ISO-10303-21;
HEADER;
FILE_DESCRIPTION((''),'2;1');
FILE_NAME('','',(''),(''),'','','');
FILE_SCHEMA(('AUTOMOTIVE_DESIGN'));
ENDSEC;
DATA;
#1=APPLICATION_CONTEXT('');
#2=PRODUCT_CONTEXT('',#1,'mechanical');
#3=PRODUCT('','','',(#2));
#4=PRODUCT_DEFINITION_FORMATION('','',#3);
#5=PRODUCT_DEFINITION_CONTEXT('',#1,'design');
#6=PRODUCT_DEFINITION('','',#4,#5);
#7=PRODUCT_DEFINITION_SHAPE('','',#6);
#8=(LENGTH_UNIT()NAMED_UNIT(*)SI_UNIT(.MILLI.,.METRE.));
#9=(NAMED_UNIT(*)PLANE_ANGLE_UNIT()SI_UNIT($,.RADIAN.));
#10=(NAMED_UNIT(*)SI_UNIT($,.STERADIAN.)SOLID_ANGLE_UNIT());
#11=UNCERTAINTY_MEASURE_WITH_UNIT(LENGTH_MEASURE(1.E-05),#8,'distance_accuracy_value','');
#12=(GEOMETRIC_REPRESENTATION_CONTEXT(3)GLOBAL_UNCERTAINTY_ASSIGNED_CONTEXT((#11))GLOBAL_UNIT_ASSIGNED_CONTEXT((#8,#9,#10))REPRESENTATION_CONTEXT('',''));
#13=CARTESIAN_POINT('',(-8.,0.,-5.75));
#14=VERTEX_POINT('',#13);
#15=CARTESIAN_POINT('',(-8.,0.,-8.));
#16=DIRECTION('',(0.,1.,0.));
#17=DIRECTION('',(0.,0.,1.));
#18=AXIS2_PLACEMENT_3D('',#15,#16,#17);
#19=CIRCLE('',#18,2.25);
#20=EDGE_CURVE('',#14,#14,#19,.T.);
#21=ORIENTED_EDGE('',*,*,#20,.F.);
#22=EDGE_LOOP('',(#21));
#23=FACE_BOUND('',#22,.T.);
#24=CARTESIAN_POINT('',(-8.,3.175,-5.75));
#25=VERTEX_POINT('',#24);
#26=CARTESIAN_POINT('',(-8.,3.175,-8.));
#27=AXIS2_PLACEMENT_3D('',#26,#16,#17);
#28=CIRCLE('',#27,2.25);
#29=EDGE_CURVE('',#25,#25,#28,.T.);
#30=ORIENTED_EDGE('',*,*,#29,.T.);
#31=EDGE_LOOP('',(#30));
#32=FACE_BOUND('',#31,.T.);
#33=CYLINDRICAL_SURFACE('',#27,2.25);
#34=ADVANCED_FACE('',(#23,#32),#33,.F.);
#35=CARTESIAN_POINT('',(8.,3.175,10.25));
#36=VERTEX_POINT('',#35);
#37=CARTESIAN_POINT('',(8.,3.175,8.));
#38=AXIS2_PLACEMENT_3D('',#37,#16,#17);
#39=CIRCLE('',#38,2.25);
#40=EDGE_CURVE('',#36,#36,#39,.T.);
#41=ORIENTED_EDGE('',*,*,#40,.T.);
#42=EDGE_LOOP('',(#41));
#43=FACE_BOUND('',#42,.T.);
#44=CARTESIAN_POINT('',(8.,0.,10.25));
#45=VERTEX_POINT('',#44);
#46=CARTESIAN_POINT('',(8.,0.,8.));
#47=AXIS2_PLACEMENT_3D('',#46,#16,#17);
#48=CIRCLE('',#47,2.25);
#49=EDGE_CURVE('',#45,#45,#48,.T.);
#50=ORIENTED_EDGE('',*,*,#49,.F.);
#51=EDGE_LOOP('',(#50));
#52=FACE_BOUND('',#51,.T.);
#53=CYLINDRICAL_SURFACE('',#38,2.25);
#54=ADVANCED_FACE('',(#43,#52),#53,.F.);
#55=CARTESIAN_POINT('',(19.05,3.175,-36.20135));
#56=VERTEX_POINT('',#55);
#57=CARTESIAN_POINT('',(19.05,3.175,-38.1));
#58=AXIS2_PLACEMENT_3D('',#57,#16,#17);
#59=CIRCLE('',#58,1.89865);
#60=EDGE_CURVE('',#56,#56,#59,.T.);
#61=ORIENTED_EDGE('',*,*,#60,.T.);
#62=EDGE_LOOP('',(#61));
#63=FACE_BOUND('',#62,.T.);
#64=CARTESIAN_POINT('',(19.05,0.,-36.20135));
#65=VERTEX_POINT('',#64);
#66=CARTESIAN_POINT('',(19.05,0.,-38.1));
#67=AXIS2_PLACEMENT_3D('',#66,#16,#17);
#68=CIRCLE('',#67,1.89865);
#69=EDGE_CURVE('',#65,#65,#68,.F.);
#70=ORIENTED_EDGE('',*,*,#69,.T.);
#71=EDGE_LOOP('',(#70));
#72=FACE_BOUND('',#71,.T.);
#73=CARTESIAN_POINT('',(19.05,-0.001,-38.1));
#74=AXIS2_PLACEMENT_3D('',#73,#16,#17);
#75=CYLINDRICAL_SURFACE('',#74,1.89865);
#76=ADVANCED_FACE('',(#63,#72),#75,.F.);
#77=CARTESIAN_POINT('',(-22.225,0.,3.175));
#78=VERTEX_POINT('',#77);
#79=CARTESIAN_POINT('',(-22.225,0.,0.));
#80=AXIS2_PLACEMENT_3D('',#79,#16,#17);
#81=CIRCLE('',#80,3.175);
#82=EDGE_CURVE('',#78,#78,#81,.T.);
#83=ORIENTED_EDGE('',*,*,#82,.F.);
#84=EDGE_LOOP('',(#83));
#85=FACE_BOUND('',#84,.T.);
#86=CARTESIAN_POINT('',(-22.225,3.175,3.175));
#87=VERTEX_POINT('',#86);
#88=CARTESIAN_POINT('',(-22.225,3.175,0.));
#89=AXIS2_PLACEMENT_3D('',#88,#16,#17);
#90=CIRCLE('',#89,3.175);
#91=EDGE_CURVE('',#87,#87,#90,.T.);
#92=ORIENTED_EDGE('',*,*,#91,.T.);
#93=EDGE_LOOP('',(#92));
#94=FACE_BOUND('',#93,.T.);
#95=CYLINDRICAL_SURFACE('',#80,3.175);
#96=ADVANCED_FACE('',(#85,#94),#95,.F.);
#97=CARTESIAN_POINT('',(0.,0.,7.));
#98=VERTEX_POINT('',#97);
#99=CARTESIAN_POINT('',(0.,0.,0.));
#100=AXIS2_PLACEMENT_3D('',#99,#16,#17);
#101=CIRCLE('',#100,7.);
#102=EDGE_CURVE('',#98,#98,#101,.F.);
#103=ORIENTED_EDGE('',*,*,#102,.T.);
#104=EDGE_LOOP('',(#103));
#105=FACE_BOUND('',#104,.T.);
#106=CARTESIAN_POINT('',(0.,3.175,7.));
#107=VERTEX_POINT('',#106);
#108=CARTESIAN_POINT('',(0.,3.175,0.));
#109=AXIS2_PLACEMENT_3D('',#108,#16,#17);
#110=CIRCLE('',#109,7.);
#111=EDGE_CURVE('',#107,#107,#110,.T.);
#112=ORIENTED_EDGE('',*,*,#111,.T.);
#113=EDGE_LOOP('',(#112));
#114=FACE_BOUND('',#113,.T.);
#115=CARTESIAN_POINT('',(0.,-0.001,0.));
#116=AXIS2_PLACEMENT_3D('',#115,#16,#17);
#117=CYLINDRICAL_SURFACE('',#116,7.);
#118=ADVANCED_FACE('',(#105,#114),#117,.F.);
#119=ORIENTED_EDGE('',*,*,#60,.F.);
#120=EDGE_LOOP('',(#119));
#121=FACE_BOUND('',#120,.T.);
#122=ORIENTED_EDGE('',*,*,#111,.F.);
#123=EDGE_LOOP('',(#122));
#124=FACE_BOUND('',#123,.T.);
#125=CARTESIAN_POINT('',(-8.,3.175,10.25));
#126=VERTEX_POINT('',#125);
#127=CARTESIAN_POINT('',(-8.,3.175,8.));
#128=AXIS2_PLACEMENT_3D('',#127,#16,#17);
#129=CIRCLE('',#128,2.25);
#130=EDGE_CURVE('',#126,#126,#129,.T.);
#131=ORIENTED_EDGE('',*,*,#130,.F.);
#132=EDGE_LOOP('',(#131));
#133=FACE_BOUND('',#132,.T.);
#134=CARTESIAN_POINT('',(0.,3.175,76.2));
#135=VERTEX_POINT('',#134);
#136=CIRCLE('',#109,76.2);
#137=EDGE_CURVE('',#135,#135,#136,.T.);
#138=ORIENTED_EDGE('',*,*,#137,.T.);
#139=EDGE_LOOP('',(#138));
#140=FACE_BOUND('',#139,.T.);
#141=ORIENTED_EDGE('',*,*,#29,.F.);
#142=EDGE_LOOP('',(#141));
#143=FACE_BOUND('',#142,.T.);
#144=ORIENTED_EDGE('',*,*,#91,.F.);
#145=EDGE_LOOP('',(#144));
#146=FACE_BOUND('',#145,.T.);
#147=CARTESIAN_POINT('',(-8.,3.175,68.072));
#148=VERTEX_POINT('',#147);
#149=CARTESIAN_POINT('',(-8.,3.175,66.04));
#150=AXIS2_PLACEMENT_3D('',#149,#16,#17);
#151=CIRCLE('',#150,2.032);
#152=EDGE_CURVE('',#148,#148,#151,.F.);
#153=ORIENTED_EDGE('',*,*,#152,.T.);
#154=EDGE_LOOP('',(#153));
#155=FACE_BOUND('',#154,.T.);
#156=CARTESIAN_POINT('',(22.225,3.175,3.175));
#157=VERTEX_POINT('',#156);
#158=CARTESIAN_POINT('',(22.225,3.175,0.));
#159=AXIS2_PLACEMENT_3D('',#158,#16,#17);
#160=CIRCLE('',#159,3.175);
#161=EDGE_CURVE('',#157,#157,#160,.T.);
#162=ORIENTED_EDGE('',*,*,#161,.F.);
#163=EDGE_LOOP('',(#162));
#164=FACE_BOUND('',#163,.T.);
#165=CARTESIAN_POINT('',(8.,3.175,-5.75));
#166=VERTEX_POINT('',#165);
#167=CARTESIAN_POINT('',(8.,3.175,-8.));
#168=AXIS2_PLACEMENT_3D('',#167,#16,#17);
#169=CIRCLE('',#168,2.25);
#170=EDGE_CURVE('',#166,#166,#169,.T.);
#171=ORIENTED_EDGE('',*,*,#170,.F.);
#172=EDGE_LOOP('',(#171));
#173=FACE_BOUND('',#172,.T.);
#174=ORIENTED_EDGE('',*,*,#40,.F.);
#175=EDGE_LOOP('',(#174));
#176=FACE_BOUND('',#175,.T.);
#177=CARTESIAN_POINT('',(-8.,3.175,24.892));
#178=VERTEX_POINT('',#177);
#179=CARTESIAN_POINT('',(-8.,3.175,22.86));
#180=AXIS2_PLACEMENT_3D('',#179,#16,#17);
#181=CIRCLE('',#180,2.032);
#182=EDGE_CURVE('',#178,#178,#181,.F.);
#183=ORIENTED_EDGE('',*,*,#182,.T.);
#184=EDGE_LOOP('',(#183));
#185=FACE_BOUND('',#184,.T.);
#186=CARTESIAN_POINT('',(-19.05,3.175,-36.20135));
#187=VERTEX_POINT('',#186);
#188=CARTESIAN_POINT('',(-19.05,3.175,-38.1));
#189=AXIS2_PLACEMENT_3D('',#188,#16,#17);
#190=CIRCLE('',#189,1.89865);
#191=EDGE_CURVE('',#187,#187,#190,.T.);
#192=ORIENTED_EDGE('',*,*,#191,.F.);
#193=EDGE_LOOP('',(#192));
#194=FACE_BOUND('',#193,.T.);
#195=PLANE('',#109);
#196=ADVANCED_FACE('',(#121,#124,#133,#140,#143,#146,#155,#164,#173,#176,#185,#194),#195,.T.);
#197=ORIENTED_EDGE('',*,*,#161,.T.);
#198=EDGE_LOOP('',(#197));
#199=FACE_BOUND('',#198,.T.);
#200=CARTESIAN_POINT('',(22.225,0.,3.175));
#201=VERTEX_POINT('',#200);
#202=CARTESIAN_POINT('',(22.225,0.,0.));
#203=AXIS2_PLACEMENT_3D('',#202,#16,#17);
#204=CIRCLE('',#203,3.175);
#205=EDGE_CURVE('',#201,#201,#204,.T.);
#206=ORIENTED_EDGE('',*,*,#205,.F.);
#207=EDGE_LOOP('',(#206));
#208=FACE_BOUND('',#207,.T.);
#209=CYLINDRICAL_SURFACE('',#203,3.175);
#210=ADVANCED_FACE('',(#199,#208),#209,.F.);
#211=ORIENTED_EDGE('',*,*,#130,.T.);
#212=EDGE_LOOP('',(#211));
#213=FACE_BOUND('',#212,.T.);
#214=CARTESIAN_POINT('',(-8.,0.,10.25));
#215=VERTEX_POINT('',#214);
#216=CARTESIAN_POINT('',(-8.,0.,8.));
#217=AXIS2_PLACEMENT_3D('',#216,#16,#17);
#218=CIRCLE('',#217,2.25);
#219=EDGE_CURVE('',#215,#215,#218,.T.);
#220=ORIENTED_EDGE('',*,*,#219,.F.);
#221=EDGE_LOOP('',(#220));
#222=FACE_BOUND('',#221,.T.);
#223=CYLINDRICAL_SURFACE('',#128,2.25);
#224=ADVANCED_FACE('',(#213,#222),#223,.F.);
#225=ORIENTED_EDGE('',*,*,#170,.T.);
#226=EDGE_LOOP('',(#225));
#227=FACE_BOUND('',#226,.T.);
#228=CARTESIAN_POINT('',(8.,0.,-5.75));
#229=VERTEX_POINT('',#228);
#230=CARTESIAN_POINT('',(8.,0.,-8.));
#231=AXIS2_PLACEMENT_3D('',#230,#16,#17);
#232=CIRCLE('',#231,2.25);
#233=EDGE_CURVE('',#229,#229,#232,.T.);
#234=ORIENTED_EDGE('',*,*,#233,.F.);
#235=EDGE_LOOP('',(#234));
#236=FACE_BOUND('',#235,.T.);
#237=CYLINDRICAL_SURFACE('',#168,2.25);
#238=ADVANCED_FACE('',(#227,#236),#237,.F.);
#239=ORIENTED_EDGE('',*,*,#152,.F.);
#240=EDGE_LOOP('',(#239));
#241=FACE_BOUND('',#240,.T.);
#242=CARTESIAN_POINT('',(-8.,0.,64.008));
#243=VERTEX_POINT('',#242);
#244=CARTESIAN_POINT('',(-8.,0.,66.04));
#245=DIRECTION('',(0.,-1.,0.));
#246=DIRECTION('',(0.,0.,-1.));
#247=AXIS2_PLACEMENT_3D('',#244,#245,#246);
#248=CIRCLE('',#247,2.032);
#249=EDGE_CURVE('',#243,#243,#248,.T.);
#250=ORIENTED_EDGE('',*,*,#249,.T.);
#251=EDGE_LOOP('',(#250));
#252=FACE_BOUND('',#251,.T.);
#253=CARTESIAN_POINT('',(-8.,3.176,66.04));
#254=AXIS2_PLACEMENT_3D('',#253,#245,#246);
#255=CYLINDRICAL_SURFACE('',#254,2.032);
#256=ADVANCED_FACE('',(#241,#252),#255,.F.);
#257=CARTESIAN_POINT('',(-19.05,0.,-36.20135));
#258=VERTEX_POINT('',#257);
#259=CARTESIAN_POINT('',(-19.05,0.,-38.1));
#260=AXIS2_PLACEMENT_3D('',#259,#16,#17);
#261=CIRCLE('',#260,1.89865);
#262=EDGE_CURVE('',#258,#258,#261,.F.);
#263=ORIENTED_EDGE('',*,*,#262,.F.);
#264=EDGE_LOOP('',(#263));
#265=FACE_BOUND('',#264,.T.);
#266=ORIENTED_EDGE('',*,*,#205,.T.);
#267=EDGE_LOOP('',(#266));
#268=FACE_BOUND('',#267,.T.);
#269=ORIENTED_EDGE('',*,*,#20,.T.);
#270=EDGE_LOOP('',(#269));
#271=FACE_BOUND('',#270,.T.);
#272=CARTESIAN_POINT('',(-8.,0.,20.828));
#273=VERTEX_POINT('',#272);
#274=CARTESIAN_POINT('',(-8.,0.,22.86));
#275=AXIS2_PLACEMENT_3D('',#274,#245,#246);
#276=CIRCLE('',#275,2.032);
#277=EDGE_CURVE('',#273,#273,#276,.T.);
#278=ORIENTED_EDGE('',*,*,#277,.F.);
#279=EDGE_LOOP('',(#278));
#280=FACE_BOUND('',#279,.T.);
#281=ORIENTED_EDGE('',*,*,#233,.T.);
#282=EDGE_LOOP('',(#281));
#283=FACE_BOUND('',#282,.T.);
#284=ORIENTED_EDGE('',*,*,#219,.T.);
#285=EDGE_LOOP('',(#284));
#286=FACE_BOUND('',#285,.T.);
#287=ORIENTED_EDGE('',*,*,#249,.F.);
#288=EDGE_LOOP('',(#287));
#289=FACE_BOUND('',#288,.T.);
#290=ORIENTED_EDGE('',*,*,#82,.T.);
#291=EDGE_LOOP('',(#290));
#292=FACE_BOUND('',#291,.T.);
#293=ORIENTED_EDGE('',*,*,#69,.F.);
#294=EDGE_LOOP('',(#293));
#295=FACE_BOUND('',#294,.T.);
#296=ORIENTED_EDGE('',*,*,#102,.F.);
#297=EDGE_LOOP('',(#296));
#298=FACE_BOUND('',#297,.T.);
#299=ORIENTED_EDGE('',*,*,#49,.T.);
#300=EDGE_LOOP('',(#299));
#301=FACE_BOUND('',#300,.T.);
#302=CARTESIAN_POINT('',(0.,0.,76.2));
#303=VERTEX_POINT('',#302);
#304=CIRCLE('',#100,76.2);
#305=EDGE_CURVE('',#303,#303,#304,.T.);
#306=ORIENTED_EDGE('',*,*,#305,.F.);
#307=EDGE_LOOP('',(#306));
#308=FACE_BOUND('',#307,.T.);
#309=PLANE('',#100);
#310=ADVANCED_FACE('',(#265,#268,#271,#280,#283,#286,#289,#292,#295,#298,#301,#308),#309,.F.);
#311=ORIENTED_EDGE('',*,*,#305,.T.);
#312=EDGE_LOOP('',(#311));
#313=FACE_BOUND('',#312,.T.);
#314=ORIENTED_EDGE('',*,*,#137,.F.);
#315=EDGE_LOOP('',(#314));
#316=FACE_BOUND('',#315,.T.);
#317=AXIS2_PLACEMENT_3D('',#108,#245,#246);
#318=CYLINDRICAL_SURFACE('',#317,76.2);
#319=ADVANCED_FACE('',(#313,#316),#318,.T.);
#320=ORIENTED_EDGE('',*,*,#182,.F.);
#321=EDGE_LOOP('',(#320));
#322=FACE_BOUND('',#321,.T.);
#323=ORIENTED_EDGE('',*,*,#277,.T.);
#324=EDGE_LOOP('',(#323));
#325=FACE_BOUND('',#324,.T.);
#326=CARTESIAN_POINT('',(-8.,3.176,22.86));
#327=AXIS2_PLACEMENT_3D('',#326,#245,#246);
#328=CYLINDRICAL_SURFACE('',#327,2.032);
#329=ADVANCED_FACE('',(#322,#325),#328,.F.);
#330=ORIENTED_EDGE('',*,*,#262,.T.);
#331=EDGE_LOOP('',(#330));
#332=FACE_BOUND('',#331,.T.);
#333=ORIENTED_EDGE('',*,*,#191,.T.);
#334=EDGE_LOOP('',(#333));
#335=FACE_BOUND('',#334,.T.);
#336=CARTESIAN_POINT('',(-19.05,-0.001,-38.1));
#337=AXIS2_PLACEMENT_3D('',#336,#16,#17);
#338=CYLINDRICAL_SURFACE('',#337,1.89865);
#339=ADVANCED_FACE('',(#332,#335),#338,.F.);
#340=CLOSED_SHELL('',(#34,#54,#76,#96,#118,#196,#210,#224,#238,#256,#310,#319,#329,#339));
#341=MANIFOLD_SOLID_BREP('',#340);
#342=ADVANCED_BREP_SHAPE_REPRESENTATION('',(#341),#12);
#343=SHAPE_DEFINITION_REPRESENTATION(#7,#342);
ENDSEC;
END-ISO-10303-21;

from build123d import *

# Parameters (mm, degrees)
SKETCH1_R               = 76.2
BOSS_EXTRUDE1_DEPTH     = 3.175
CUT_EXTRUDE1_REACH      = 109.81
SKETCH2_R               = 7
CUT_EXTRUDE3_DEPTH      = 108.809835474
CUT_EXTRUDE3_DEPTH_BACK = 108.809835474
SKETCH4_R               = 3.175
M4_CLEARANCE_HOLE1_D    = 4.5
CUT_EXTRUDE4_REACH      = 109.81
SKETCH8_R               = 1.89865
CUT_EXTRUDE5_REACH      = 109.81
SKETCH9_R               = 2.032


with BuildPart() as part:
    # Sketch1 → Boss-Extrude1 (new body)
    with BuildSketch(Plane(origin=(0, 0, 0), x_dir=(1, 0, 0), z_dir=(0, 1, 0))):
        with Locations(Location((0, 0, 0), (0, 0, 270))):
            Circle(SKETCH1_R)
    extrude(amount=BOSS_EXTRUDE1_DEPTH)

    # Sketch2 → Cut-Extrude1 (cut, up to next)
    with BuildSketch(Plane(origin=(0, 3.175, 0), x_dir=(1, 0, 0), z_dir=(0, 1, 0)), mode=Mode.PRIVATE) as cut_extrude1_sk1:
        with Locations(Location((0, 0, 0), (0, 0, 270))):
            Circle(SKETCH2_R)
    cut_extrude1_tool1 = extrude(cut_extrude1_sk1.sketch, amount=-CUT_EXTRUDE1_REACH, mode=Mode.PRIVATE) & part.part
    add(cut_extrude1_tool1.solids().sort_by_distance((0, 3.175, 0))[0], mode=Mode.SUBTRACT)

    # Sketch4 → Cut-Extrude3 (cut, two sides: drawn at the far end of the back side and taken through both)
    with BuildSketch(Plane(origin=(0, 3.175, 0), x_dir=(1, 0, 0), z_dir=(0, 1, 0)).offset(-CUT_EXTRUDE3_DEPTH_BACK)):
        with Locations(Location((-22.225, 0, 0), (0, 0, 270))):
            Circle(SKETCH4_R)
        with Locations(Location((22.225, 0, 0), (0, 0, 270))):
            Circle(SKETCH4_R)
    extrude(amount=CUT_EXTRUDE3_DEPTH + CUT_EXTRUDE3_DEPTH_BACK, mode=Mode.SUBTRACT)

    # M4 Clearance Hole1 (through all)
    with Locations(Plane(origin=(0, 3.175, 0), x_dir=(1, 0, 0), z_dir=(0, 1, 0))):
        with Locations((-8, 8), (8, 8), (8, -8), (-8, -8)):
            Hole(M4_CLEARANCE_HOLE1_D / 2)

    # Sketch8 → Cut-Extrude4 (cut, up to next)
    with BuildSketch(Plane(origin=(0, 3.175, 0), x_dir=(1, 0, 0), z_dir=(0, 1, 0)), mode=Mode.PRIVATE) as cut_extrude4_sk1:
        with Locations(Location((19.05, 38.1, 0), (0, 0, 270))):
            Circle(SKETCH8_R)
    cut_extrude4_tool1 = extrude(cut_extrude4_sk1.sketch, amount=-CUT_EXTRUDE4_REACH, mode=Mode.PRIVATE) & part.part
    # Sketch8 → Cut-Extrude4 (cut, up to next)
    with BuildSketch(Plane(origin=(0, 3.175, 0), x_dir=(1, 0, 0), z_dir=(0, 1, 0)), mode=Mode.PRIVATE) as cut_extrude4_sk2:
        with Locations(Location((-19.05, 38.1, 0), (0, 0, 270))):
            Circle(SKETCH8_R)
    cut_extrude4_tool2 = extrude(cut_extrude4_sk2.sketch, amount=-CUT_EXTRUDE4_REACH, mode=Mode.PRIVATE) & part.part
    add(cut_extrude4_tool1.solids().sort_by_distance((19.05, 3.175, -38.1))[0], mode=Mode.SUBTRACT)
    add(cut_extrude4_tool2.solids().sort_by_distance((-19.05, 3.175, -38.1))[0], mode=Mode.SUBTRACT)

    # Sketch9 → Cut-Extrude5 (cut, up to next)
    with BuildSketch(Plane.XZ, mode=Mode.PRIVATE) as cut_extrude5_sk1:
        with Locations(Location((-8, 22.86, 0), (0, 0, 270))):
            Circle(SKETCH9_R)
    cut_extrude5_tool1 = extrude(cut_extrude5_sk1.sketch, amount=-CUT_EXTRUDE5_REACH, mode=Mode.PRIVATE) & part.part
    # Sketch9 → Cut-Extrude5 (cut, up to next)
    with BuildSketch(Plane.XZ, mode=Mode.PRIVATE) as cut_extrude5_sk2:
        with Locations(Location((-8, 66.04, 0), (0, 0, 270))):
            Circle(SKETCH9_R)
    cut_extrude5_tool2 = extrude(cut_extrude5_sk2.sketch, amount=-CUT_EXTRUDE5_REACH, mode=Mode.PRIVATE) & part.part
    add(cut_extrude5_tool1.solids().sort_by_distance((-8, 0, 22.86))[0], mode=Mode.SUBTRACT)
    add(cut_extrude5_tool2.solids().sort_by_distance((-8, 0, 66.04))[0], mode=Mode.SUBTRACT)


solid = part.part
